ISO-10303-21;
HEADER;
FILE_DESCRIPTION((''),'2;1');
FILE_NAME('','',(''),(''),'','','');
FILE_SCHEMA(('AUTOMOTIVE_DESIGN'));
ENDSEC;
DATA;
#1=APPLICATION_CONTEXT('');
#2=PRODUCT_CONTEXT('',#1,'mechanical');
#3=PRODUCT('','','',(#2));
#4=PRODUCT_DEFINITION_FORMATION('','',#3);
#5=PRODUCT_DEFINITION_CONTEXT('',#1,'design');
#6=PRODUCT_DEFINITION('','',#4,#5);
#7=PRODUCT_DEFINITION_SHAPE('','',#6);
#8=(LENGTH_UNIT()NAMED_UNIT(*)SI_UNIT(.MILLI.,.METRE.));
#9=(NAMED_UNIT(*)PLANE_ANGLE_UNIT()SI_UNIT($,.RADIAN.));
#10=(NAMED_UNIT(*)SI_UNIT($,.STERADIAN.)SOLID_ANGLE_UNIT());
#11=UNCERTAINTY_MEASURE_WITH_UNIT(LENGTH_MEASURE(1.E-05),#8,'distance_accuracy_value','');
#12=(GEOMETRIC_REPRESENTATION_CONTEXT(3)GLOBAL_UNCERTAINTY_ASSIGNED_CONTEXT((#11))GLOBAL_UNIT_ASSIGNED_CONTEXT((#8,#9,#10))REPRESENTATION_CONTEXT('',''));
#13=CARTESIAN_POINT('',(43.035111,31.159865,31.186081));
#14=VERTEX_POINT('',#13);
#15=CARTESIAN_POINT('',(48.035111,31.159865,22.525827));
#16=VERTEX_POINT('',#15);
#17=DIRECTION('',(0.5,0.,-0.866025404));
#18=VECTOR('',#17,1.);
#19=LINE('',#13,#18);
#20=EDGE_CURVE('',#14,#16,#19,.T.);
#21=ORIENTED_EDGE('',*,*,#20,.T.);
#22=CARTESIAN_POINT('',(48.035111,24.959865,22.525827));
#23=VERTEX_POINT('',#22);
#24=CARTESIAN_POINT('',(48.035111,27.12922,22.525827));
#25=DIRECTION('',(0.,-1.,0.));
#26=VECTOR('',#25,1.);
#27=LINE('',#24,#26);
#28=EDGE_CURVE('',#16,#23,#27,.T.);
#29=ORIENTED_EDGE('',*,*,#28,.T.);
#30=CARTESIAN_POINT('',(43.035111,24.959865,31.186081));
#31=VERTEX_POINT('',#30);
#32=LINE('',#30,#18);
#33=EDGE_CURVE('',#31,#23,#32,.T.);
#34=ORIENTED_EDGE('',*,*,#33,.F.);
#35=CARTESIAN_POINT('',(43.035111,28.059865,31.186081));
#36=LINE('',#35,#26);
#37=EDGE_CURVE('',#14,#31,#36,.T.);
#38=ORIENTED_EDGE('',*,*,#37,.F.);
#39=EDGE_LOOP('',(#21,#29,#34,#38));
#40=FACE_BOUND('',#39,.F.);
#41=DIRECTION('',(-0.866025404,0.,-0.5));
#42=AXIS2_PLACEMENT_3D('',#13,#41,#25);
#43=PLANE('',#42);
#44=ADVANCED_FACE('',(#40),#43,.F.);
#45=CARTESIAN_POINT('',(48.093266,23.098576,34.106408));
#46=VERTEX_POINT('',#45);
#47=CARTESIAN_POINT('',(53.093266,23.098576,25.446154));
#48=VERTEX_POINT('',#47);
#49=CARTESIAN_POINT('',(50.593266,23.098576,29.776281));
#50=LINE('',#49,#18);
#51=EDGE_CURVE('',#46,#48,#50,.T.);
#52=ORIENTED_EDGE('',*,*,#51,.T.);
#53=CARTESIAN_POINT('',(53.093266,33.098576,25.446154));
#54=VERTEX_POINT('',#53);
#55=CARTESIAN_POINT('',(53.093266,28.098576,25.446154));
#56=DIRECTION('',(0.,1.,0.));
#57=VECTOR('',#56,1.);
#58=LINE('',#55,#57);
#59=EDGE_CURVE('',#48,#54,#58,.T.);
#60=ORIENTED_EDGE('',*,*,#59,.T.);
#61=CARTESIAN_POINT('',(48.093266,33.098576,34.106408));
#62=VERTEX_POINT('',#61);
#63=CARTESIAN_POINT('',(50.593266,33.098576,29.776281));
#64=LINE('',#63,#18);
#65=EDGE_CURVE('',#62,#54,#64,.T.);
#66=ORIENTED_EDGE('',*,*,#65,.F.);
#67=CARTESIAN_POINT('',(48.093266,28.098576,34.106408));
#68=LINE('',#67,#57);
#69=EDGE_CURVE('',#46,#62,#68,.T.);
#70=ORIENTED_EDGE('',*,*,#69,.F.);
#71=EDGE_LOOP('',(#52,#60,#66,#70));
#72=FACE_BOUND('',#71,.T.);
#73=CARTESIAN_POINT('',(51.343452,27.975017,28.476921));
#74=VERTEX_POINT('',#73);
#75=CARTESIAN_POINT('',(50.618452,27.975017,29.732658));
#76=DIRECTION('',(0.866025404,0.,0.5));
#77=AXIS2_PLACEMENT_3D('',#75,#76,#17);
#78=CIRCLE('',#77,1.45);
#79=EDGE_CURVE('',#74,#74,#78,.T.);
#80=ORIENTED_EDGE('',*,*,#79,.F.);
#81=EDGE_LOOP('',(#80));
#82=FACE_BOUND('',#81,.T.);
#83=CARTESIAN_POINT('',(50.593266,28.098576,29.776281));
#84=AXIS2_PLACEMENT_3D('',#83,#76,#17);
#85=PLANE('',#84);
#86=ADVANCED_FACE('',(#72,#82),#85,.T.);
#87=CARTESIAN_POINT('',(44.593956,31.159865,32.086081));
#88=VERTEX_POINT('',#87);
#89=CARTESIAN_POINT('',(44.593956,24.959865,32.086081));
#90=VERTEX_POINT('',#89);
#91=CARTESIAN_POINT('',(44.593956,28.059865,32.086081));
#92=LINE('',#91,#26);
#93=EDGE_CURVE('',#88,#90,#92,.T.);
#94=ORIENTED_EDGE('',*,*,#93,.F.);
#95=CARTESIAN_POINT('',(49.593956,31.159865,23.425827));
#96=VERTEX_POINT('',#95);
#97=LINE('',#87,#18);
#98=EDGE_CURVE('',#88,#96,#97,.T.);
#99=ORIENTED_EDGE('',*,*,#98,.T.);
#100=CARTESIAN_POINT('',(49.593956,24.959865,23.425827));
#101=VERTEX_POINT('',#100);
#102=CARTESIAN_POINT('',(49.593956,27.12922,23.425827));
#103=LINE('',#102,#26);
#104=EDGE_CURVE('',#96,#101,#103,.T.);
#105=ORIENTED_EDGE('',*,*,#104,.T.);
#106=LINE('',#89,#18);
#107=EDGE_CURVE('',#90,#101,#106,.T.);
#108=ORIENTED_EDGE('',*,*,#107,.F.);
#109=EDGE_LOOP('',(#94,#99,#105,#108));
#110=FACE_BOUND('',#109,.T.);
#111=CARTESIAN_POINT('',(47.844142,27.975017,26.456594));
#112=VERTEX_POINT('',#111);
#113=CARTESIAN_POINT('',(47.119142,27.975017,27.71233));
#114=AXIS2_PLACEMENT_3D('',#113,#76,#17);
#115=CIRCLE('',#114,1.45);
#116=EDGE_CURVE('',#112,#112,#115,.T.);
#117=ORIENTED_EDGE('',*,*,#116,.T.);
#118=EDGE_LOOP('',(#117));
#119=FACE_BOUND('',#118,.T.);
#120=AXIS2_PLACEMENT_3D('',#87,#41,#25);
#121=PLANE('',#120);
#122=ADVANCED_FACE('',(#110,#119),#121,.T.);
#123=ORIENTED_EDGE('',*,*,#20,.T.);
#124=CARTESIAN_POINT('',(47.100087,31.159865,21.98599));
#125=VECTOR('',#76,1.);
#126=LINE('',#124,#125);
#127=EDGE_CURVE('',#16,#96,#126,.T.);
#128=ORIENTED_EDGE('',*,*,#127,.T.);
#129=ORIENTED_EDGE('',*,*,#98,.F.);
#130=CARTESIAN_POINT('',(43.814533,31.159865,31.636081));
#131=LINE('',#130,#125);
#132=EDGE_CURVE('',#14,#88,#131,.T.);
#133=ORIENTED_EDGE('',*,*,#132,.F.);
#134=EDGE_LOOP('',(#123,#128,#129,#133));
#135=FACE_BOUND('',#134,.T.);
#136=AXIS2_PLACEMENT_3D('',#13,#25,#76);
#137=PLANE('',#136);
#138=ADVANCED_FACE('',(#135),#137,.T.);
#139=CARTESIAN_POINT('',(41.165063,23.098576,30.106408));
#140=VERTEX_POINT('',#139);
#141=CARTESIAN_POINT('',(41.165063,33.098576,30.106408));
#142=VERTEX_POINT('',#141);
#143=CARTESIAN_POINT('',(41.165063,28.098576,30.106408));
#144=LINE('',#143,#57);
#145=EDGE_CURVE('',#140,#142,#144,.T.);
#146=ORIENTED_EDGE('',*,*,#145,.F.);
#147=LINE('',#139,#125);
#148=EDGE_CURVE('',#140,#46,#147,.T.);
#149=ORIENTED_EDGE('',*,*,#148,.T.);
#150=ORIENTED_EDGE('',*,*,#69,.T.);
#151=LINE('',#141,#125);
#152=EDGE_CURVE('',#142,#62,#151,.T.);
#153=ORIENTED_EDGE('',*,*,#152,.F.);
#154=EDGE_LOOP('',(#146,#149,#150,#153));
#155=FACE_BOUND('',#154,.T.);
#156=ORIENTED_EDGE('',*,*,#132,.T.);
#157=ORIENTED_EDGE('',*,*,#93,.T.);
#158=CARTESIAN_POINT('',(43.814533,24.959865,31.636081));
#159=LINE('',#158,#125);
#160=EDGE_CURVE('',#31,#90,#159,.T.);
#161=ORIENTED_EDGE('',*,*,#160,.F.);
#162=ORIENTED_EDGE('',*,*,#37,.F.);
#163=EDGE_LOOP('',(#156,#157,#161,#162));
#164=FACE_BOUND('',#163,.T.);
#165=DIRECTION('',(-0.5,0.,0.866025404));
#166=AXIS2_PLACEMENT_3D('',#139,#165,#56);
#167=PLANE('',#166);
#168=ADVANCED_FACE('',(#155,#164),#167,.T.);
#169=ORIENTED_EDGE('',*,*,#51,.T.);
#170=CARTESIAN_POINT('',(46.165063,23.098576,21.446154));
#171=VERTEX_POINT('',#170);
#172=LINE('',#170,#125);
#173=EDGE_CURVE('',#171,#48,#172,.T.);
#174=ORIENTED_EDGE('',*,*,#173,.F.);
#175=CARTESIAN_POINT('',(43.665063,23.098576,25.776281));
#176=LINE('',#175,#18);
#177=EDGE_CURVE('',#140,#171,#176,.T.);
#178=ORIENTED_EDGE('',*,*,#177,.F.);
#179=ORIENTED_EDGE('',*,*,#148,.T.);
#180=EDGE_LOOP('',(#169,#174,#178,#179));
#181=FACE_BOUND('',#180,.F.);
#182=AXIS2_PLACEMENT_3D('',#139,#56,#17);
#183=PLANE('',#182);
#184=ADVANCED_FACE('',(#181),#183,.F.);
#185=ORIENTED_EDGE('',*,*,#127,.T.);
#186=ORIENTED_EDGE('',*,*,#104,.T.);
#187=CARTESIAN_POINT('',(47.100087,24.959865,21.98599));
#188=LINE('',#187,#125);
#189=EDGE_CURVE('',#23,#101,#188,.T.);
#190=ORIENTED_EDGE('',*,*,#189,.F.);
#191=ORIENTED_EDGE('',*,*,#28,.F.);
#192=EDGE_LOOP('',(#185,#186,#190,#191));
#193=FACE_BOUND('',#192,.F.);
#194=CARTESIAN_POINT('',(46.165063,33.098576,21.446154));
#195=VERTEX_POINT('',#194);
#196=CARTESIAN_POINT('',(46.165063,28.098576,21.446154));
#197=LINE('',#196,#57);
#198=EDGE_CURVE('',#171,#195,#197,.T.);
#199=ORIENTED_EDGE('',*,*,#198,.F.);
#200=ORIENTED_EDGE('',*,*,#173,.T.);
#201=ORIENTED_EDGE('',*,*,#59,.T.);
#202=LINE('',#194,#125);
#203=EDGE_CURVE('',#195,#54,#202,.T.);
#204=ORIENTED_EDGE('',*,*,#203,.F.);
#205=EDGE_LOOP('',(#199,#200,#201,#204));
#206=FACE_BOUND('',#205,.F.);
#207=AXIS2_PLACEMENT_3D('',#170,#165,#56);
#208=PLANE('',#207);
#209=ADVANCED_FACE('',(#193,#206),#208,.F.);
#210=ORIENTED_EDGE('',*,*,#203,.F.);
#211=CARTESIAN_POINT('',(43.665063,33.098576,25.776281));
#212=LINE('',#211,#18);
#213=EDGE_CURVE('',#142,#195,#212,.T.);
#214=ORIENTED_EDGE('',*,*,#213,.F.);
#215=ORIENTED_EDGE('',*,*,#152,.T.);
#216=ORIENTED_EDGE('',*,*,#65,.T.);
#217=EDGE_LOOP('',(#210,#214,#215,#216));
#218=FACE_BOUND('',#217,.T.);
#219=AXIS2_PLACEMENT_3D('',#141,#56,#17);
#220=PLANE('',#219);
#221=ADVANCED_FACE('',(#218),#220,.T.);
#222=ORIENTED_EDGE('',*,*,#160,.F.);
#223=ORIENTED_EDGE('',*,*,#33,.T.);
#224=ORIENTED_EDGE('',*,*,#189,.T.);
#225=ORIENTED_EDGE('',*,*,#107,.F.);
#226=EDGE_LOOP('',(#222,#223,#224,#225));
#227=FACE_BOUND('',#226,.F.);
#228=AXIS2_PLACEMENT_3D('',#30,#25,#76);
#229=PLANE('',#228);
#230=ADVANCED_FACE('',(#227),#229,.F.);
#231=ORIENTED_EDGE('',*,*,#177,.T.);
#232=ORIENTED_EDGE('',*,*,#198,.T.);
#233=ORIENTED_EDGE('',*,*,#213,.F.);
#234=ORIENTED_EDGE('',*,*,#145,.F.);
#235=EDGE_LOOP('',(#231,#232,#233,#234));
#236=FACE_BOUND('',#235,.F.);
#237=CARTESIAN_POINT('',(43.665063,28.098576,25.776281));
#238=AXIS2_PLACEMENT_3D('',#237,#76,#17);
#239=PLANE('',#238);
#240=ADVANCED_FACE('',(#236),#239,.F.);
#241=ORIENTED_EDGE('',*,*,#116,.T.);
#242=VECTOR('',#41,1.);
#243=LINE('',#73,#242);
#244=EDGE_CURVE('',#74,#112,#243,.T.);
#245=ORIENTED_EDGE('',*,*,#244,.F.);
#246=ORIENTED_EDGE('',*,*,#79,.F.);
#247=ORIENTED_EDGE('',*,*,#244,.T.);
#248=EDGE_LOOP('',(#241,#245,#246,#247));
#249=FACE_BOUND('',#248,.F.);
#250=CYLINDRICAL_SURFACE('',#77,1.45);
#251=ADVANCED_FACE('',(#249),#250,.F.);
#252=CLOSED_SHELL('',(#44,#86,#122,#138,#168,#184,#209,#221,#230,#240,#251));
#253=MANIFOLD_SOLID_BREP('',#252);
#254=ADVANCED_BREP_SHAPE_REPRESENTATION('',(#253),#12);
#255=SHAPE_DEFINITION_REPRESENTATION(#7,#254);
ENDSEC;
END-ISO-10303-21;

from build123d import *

# Parameters (mm, degrees)
SKETCH038_W             = 10
SKETCH038_H             = 10
PAD014_DEPTH            = 8
SKETCH039_R             = 1.45
POCKET009_DEPTH         = 5
SKETCH040_W             = 6.2
SKETCH040_H             = 1.8
POCKET010_DEPTH         = 15
BODY014_PLACEMENT_ANGLE = 60


with BuildPart() as part:
    # Sketch038 → Pad014 (new body)
    with BuildSketch(Plane.XY):
        with Locations((0.72243, -0.901424)):
            Rectangle(SKETCH038_W, SKETCH038_H)
    extrude(amount=PAD014_DEPTH)

    # Sketch039 (on Face6 of Pad014) → Pocket009 (cut)
    with BuildSketch(Plane.XY.offset(8)):
        with Locations((0.772802, -1.024983)):
            Circle(SKETCH039_R)
    extrude(amount=-POCKET009_DEPTH, mode=Mode.SUBTRACT)

    # Sketch040 (on Face2 of Pocket009) → Pocket010 (cut)
    with BuildSketch(Plane(origin=(-4.27757, 0, 0), x_dir=(0, -1, 0), z_dir=(-1, 0, 0))):
        with Locations((0.940135, 3.059345)):
            Rectangle(SKETCH040_W, SKETCH040_H)
    extrude(amount=-POCKET010_DEPTH, mode=Mode.SUBTRACT)


with BuildPart() as part_1:
    # Body014 placement: moved
    add(part.part.moved(Location((43.303848, 29, 26.401924))).rotate(Axis((43.303848, 29, 26.401924), (0, 1, 0)), BODY014_PLACEMENT_ANGLE))


solid = part_1.part
